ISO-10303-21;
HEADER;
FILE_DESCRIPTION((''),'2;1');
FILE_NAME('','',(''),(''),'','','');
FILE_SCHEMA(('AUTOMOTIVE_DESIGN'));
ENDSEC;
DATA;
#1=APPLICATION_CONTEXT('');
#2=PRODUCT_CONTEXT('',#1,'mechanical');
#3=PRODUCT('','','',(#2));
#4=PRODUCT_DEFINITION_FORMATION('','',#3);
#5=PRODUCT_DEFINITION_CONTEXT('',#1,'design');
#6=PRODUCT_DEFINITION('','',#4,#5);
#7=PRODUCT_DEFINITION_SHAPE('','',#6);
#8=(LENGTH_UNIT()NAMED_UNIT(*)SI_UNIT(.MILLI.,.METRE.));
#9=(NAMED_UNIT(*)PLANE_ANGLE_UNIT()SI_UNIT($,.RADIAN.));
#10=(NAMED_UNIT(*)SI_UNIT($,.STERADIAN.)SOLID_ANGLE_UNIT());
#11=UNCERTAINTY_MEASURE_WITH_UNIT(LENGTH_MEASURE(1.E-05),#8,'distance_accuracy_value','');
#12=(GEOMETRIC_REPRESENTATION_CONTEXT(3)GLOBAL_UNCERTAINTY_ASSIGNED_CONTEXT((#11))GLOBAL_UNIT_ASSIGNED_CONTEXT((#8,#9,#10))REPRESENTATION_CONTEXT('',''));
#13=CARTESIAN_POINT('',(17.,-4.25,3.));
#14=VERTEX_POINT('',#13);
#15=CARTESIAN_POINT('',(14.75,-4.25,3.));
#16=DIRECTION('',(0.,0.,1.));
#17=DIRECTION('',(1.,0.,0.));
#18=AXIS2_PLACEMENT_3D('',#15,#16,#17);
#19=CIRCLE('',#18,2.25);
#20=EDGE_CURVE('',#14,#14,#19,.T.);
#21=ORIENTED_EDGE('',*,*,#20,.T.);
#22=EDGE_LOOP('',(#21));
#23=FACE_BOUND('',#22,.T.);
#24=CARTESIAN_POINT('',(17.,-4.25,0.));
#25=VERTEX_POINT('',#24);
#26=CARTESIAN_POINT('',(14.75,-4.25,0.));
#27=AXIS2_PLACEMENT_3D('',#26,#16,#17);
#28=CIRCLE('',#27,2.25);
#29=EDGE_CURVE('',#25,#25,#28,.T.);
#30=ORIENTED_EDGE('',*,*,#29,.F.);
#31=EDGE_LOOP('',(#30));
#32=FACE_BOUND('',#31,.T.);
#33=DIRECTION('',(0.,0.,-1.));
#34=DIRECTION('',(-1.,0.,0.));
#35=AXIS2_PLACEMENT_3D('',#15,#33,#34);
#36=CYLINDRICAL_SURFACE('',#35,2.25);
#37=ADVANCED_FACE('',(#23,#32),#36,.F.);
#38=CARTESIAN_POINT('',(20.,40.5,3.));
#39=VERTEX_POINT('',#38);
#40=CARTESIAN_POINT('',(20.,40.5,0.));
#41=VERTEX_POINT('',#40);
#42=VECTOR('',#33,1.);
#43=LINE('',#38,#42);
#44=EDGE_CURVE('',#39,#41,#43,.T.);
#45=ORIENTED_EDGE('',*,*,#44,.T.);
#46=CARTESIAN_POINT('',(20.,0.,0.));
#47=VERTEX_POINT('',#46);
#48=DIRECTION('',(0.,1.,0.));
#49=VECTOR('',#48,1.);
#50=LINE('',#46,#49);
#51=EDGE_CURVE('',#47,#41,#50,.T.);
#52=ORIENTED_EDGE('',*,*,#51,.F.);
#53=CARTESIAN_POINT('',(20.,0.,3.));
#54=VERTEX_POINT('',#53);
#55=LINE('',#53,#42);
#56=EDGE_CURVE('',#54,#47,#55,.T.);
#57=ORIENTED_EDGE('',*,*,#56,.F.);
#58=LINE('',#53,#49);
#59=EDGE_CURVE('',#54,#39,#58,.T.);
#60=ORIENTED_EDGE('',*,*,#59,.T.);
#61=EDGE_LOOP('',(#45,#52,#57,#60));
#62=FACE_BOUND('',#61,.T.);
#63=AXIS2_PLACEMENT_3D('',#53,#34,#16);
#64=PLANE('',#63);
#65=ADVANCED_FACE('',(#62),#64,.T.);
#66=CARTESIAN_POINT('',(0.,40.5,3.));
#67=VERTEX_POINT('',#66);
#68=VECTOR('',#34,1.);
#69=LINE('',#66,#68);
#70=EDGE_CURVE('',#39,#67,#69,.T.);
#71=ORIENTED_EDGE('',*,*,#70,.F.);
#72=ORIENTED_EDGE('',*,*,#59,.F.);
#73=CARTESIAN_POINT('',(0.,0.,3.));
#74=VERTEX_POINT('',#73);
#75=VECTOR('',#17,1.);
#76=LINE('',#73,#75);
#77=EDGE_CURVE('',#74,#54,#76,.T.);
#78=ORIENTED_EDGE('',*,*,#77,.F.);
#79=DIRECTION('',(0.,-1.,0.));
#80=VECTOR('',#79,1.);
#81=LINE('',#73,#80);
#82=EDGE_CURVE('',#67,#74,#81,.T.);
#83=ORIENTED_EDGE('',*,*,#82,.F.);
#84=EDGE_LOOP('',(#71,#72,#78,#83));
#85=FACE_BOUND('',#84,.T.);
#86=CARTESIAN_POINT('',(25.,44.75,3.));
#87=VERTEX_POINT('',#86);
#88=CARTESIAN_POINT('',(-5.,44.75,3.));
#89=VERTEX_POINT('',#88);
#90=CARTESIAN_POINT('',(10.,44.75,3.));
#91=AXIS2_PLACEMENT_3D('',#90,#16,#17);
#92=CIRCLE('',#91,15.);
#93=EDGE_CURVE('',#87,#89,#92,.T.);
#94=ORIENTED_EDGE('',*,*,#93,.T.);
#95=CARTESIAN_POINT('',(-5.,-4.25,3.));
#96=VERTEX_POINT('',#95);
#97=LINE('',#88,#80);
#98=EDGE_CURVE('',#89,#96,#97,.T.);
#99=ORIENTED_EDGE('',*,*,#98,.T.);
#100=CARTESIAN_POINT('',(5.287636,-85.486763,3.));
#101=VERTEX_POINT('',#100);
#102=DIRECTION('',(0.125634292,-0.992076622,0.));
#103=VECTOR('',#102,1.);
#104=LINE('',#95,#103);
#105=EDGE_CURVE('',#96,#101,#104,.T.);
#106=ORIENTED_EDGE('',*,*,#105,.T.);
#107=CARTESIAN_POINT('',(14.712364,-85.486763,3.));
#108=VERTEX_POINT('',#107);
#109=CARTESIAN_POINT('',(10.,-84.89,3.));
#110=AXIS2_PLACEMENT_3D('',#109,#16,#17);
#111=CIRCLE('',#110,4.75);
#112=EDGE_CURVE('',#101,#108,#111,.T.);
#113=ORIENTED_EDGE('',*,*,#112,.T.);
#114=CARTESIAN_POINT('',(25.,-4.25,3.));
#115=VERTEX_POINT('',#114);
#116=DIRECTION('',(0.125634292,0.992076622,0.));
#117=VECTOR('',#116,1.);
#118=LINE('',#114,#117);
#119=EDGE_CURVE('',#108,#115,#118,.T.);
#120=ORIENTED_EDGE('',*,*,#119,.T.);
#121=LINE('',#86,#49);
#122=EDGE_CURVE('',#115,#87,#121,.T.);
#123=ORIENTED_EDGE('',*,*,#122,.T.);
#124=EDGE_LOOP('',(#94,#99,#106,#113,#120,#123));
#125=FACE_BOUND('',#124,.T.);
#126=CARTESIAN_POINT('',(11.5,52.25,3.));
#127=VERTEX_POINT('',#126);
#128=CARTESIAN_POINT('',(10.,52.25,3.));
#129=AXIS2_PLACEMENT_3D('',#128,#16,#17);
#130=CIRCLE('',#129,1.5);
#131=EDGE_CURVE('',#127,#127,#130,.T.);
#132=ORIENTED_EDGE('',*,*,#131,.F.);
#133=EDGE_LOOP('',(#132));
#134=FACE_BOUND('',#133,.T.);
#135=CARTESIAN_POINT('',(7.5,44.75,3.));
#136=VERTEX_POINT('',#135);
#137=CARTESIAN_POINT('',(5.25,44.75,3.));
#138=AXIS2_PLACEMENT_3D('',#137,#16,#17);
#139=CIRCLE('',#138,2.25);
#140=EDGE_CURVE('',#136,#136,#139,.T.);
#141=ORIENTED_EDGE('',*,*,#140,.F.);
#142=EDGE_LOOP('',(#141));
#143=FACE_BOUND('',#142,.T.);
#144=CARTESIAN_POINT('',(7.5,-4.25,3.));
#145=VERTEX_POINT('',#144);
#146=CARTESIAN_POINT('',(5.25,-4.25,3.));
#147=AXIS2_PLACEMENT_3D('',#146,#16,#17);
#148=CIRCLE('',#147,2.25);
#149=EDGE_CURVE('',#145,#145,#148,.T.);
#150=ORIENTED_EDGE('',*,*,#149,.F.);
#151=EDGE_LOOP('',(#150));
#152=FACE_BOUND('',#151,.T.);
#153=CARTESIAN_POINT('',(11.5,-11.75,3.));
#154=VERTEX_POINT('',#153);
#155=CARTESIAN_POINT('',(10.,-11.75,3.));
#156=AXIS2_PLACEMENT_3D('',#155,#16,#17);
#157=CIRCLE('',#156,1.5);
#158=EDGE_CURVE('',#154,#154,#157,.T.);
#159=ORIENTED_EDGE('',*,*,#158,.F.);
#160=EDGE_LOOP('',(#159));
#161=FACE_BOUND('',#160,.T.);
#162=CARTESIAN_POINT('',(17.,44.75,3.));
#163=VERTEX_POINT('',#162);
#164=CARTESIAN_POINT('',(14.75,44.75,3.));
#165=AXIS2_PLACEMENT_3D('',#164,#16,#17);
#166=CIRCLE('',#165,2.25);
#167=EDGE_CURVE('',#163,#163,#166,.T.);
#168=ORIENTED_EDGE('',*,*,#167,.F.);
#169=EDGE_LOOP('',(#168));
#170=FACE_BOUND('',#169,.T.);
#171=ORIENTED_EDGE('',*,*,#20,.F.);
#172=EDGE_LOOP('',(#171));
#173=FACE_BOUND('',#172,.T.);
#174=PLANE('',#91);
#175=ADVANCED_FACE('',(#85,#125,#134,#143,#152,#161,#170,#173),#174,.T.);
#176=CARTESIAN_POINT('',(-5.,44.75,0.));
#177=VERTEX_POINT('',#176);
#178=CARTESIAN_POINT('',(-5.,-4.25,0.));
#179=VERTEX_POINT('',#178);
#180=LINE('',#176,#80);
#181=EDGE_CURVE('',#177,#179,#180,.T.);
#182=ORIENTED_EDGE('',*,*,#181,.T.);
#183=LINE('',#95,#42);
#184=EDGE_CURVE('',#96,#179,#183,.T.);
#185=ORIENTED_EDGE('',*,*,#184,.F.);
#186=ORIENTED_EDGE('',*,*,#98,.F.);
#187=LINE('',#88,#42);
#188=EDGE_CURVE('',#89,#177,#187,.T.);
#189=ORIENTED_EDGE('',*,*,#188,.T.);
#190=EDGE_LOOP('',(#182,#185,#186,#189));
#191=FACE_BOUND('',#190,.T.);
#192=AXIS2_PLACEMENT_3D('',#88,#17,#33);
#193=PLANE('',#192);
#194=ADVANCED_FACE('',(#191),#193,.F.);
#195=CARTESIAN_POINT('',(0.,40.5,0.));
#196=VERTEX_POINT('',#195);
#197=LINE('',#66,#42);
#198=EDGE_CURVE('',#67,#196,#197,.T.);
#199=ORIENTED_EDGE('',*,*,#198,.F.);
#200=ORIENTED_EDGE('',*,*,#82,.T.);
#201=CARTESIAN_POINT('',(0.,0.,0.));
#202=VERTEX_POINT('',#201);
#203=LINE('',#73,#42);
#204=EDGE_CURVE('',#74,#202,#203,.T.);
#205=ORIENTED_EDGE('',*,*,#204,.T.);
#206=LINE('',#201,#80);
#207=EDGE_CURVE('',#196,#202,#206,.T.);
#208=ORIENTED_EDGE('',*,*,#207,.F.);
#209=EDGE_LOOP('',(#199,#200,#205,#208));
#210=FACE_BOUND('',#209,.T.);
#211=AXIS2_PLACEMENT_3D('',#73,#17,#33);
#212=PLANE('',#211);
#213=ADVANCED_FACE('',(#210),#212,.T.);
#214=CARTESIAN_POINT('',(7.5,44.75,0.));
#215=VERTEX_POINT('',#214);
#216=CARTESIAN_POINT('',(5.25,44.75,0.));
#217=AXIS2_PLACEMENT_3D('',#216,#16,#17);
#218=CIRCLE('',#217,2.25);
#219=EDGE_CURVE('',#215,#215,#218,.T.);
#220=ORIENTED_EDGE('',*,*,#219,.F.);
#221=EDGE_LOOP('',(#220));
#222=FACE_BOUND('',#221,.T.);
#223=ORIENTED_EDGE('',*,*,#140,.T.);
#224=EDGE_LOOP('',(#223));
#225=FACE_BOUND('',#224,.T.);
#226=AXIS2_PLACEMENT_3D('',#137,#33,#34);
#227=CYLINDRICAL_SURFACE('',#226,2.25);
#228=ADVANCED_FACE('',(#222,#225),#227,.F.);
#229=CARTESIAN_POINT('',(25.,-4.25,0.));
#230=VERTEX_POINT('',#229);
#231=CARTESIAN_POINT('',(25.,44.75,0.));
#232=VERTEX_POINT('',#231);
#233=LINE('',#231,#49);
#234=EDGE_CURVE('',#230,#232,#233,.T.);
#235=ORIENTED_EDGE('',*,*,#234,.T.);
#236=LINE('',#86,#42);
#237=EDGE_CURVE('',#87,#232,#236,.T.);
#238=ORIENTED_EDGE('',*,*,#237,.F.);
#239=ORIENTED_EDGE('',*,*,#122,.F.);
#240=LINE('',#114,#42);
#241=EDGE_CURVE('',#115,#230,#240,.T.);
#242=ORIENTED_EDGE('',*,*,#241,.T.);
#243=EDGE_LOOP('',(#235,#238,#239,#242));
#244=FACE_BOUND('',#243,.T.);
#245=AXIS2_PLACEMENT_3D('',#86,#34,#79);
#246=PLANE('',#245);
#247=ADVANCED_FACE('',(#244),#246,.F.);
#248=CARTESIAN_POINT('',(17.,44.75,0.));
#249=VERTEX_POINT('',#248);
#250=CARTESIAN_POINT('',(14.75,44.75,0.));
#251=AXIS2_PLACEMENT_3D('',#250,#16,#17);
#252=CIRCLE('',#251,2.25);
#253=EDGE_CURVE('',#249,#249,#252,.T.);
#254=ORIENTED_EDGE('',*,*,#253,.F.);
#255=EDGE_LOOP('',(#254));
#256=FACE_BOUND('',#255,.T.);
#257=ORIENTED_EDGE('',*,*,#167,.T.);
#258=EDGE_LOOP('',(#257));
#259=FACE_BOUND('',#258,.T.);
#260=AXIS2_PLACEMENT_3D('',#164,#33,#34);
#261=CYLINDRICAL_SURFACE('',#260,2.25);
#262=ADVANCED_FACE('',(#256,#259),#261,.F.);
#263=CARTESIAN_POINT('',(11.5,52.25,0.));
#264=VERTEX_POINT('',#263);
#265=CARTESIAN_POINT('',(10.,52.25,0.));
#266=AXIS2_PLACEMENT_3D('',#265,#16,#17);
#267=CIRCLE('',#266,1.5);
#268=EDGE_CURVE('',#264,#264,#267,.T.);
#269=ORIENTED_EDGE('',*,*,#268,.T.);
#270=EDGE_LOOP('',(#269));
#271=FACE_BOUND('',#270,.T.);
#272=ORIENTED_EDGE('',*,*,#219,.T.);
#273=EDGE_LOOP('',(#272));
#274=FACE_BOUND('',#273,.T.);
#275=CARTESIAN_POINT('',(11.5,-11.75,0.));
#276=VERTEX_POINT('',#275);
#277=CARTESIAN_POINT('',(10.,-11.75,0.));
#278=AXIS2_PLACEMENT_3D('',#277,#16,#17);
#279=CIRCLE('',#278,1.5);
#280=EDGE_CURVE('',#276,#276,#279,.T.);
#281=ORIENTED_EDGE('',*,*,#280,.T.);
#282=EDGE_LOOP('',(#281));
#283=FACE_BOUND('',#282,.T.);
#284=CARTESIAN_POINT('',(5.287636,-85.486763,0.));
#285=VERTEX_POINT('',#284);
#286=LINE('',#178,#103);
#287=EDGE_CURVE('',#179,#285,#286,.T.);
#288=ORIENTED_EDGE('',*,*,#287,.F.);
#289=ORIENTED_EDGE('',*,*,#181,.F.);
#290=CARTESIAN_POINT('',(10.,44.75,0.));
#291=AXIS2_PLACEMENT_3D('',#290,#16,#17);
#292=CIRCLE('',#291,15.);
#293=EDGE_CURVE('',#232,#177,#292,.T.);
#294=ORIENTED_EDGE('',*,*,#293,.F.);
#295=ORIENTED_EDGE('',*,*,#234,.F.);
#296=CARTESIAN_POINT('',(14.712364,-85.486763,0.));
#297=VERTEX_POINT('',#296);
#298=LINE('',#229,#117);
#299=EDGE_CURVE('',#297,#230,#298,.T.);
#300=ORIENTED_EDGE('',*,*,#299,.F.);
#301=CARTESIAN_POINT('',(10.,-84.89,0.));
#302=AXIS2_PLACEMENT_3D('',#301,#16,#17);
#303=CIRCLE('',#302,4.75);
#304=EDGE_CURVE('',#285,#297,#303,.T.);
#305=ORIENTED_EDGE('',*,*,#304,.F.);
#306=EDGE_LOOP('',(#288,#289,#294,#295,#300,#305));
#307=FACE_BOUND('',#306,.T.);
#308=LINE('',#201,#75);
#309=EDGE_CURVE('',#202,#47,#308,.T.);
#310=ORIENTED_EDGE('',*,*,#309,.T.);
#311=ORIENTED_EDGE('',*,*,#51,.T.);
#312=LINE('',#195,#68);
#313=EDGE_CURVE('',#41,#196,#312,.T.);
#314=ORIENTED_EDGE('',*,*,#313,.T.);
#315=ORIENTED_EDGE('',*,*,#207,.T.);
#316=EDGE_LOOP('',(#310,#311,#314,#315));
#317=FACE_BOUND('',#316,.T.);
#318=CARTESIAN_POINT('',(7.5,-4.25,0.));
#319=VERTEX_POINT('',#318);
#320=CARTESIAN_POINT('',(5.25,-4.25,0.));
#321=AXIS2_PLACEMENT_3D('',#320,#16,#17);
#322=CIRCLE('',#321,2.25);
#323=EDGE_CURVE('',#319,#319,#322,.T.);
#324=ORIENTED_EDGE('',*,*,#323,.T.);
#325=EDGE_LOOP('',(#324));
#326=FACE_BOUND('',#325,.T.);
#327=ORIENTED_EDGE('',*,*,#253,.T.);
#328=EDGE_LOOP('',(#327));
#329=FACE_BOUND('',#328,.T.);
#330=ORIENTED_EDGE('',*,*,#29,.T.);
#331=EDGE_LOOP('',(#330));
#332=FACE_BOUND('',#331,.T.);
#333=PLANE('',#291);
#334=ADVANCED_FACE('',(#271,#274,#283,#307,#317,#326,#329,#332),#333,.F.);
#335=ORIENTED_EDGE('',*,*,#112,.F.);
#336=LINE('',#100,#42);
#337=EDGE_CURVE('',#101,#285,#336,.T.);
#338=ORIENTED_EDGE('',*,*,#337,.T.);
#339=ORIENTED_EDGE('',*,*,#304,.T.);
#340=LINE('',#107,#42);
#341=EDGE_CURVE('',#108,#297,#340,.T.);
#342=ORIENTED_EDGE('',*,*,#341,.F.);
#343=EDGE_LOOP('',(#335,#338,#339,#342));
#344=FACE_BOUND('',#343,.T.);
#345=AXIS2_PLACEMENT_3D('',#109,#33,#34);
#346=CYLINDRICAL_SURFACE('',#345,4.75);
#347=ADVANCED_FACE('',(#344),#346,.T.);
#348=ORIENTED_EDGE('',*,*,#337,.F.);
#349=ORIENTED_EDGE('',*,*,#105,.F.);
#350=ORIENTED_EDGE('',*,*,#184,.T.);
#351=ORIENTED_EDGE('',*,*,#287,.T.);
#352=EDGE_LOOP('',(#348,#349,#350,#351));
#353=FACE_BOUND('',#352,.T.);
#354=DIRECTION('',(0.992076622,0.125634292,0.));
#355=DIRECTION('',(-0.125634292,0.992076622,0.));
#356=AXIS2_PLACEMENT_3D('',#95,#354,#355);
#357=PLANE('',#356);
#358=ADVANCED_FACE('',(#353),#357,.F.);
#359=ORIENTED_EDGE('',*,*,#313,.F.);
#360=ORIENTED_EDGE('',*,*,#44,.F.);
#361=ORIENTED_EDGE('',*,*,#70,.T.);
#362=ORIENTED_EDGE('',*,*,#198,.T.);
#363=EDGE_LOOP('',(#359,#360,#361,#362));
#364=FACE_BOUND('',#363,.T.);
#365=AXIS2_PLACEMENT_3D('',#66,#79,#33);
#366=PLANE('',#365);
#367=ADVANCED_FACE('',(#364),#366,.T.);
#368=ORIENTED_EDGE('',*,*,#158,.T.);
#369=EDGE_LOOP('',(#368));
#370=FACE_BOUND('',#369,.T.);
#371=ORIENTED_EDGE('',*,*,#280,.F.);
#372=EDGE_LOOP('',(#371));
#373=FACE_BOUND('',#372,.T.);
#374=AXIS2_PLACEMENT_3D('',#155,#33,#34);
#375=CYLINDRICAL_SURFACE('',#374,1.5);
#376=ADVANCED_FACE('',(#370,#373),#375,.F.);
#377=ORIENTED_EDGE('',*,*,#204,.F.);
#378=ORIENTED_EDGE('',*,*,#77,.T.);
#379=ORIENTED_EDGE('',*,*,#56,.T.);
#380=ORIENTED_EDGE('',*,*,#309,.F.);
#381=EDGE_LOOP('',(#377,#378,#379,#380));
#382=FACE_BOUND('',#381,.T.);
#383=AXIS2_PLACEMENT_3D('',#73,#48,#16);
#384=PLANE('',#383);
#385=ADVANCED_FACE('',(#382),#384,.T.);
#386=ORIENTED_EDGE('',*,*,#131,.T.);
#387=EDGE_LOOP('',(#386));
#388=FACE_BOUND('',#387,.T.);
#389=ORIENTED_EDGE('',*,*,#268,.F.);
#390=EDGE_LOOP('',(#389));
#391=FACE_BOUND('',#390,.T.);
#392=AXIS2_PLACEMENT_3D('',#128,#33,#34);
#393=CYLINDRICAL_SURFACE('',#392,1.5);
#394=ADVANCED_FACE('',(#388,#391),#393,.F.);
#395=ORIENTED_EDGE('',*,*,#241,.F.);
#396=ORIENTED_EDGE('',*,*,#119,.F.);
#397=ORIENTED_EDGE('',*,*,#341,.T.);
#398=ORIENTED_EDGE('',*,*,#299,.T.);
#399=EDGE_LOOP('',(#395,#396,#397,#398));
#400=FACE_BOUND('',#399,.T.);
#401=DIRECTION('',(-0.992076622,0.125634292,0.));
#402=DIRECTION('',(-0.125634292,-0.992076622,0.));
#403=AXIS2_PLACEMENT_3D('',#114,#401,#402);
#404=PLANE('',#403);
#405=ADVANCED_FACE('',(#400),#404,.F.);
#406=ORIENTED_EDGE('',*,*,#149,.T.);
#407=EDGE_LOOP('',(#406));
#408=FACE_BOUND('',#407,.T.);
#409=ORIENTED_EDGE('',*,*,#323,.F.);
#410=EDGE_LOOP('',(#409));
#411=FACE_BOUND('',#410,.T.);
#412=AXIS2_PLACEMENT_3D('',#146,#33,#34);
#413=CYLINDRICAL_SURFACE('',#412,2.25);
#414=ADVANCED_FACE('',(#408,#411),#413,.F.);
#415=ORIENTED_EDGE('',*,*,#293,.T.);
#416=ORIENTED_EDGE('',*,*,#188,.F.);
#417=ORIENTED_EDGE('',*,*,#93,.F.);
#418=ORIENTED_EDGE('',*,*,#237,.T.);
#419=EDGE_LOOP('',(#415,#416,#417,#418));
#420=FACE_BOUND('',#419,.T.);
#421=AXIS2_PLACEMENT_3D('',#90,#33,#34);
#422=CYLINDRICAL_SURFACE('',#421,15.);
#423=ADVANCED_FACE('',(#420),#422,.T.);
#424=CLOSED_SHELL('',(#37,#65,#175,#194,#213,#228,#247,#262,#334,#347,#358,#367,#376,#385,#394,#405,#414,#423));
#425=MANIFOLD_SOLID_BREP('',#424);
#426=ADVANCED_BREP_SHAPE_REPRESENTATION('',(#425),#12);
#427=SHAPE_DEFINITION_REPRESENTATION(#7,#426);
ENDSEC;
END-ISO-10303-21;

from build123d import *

# Parameters (mm, degrees)
SKETCH1_R           = 2.25
SKETCH1_R_2         = 1.5
SKETCH1_W           = 20
SKETCH1_H           = 40.5
BOSS_EXTRUDE1_DEPTH = 3


with BuildPart() as part:
    # Sketch1 → Boss-Extrude1 (new body)
    with BuildSketch(Plane.XY):
        with BuildLine():
            Line((-5, 44.75), (-5, -4.25))
            Line((-5, -4.25), (5.287636044, -85.486762889))
            ThreePointArc((5.287636044, -85.486762889), (10, -89.64), (14.712363956, -85.486762889))
            Line((14.712363956, -85.486762889), (25, -4.25))
            Line((25, -4.25), (25, 44.75))
            ThreePointArc((25, 44.75), (10, 59.75), (-5, 44.75))
        make_face()
        with Locations((14.75, -4.25)):
            Circle(SKETCH1_R, mode=Mode.SUBTRACT)
        with Locations((5.25, -4.25)):
            Circle(SKETCH1_R, mode=Mode.SUBTRACT)
        with Locations((14.75, 44.75)):
            Circle(SKETCH1_R, mode=Mode.SUBTRACT)
        with Locations((5.25, 44.75)):
            Circle(SKETCH1_R, mode=Mode.SUBTRACT)
        with Locations((10, 52.25)):
            Circle(SKETCH1_R_2, mode=Mode.SUBTRACT)
        with Locations((10, -11.75)):
            Circle(SKETCH1_R_2, mode=Mode.SUBTRACT)
        with Locations((10, 20.25)):
            Rectangle(SKETCH1_W, SKETCH1_H, mode=Mode.SUBTRACT)
    extrude(amount=BOSS_EXTRUDE1_DEPTH)


solid = part.part
